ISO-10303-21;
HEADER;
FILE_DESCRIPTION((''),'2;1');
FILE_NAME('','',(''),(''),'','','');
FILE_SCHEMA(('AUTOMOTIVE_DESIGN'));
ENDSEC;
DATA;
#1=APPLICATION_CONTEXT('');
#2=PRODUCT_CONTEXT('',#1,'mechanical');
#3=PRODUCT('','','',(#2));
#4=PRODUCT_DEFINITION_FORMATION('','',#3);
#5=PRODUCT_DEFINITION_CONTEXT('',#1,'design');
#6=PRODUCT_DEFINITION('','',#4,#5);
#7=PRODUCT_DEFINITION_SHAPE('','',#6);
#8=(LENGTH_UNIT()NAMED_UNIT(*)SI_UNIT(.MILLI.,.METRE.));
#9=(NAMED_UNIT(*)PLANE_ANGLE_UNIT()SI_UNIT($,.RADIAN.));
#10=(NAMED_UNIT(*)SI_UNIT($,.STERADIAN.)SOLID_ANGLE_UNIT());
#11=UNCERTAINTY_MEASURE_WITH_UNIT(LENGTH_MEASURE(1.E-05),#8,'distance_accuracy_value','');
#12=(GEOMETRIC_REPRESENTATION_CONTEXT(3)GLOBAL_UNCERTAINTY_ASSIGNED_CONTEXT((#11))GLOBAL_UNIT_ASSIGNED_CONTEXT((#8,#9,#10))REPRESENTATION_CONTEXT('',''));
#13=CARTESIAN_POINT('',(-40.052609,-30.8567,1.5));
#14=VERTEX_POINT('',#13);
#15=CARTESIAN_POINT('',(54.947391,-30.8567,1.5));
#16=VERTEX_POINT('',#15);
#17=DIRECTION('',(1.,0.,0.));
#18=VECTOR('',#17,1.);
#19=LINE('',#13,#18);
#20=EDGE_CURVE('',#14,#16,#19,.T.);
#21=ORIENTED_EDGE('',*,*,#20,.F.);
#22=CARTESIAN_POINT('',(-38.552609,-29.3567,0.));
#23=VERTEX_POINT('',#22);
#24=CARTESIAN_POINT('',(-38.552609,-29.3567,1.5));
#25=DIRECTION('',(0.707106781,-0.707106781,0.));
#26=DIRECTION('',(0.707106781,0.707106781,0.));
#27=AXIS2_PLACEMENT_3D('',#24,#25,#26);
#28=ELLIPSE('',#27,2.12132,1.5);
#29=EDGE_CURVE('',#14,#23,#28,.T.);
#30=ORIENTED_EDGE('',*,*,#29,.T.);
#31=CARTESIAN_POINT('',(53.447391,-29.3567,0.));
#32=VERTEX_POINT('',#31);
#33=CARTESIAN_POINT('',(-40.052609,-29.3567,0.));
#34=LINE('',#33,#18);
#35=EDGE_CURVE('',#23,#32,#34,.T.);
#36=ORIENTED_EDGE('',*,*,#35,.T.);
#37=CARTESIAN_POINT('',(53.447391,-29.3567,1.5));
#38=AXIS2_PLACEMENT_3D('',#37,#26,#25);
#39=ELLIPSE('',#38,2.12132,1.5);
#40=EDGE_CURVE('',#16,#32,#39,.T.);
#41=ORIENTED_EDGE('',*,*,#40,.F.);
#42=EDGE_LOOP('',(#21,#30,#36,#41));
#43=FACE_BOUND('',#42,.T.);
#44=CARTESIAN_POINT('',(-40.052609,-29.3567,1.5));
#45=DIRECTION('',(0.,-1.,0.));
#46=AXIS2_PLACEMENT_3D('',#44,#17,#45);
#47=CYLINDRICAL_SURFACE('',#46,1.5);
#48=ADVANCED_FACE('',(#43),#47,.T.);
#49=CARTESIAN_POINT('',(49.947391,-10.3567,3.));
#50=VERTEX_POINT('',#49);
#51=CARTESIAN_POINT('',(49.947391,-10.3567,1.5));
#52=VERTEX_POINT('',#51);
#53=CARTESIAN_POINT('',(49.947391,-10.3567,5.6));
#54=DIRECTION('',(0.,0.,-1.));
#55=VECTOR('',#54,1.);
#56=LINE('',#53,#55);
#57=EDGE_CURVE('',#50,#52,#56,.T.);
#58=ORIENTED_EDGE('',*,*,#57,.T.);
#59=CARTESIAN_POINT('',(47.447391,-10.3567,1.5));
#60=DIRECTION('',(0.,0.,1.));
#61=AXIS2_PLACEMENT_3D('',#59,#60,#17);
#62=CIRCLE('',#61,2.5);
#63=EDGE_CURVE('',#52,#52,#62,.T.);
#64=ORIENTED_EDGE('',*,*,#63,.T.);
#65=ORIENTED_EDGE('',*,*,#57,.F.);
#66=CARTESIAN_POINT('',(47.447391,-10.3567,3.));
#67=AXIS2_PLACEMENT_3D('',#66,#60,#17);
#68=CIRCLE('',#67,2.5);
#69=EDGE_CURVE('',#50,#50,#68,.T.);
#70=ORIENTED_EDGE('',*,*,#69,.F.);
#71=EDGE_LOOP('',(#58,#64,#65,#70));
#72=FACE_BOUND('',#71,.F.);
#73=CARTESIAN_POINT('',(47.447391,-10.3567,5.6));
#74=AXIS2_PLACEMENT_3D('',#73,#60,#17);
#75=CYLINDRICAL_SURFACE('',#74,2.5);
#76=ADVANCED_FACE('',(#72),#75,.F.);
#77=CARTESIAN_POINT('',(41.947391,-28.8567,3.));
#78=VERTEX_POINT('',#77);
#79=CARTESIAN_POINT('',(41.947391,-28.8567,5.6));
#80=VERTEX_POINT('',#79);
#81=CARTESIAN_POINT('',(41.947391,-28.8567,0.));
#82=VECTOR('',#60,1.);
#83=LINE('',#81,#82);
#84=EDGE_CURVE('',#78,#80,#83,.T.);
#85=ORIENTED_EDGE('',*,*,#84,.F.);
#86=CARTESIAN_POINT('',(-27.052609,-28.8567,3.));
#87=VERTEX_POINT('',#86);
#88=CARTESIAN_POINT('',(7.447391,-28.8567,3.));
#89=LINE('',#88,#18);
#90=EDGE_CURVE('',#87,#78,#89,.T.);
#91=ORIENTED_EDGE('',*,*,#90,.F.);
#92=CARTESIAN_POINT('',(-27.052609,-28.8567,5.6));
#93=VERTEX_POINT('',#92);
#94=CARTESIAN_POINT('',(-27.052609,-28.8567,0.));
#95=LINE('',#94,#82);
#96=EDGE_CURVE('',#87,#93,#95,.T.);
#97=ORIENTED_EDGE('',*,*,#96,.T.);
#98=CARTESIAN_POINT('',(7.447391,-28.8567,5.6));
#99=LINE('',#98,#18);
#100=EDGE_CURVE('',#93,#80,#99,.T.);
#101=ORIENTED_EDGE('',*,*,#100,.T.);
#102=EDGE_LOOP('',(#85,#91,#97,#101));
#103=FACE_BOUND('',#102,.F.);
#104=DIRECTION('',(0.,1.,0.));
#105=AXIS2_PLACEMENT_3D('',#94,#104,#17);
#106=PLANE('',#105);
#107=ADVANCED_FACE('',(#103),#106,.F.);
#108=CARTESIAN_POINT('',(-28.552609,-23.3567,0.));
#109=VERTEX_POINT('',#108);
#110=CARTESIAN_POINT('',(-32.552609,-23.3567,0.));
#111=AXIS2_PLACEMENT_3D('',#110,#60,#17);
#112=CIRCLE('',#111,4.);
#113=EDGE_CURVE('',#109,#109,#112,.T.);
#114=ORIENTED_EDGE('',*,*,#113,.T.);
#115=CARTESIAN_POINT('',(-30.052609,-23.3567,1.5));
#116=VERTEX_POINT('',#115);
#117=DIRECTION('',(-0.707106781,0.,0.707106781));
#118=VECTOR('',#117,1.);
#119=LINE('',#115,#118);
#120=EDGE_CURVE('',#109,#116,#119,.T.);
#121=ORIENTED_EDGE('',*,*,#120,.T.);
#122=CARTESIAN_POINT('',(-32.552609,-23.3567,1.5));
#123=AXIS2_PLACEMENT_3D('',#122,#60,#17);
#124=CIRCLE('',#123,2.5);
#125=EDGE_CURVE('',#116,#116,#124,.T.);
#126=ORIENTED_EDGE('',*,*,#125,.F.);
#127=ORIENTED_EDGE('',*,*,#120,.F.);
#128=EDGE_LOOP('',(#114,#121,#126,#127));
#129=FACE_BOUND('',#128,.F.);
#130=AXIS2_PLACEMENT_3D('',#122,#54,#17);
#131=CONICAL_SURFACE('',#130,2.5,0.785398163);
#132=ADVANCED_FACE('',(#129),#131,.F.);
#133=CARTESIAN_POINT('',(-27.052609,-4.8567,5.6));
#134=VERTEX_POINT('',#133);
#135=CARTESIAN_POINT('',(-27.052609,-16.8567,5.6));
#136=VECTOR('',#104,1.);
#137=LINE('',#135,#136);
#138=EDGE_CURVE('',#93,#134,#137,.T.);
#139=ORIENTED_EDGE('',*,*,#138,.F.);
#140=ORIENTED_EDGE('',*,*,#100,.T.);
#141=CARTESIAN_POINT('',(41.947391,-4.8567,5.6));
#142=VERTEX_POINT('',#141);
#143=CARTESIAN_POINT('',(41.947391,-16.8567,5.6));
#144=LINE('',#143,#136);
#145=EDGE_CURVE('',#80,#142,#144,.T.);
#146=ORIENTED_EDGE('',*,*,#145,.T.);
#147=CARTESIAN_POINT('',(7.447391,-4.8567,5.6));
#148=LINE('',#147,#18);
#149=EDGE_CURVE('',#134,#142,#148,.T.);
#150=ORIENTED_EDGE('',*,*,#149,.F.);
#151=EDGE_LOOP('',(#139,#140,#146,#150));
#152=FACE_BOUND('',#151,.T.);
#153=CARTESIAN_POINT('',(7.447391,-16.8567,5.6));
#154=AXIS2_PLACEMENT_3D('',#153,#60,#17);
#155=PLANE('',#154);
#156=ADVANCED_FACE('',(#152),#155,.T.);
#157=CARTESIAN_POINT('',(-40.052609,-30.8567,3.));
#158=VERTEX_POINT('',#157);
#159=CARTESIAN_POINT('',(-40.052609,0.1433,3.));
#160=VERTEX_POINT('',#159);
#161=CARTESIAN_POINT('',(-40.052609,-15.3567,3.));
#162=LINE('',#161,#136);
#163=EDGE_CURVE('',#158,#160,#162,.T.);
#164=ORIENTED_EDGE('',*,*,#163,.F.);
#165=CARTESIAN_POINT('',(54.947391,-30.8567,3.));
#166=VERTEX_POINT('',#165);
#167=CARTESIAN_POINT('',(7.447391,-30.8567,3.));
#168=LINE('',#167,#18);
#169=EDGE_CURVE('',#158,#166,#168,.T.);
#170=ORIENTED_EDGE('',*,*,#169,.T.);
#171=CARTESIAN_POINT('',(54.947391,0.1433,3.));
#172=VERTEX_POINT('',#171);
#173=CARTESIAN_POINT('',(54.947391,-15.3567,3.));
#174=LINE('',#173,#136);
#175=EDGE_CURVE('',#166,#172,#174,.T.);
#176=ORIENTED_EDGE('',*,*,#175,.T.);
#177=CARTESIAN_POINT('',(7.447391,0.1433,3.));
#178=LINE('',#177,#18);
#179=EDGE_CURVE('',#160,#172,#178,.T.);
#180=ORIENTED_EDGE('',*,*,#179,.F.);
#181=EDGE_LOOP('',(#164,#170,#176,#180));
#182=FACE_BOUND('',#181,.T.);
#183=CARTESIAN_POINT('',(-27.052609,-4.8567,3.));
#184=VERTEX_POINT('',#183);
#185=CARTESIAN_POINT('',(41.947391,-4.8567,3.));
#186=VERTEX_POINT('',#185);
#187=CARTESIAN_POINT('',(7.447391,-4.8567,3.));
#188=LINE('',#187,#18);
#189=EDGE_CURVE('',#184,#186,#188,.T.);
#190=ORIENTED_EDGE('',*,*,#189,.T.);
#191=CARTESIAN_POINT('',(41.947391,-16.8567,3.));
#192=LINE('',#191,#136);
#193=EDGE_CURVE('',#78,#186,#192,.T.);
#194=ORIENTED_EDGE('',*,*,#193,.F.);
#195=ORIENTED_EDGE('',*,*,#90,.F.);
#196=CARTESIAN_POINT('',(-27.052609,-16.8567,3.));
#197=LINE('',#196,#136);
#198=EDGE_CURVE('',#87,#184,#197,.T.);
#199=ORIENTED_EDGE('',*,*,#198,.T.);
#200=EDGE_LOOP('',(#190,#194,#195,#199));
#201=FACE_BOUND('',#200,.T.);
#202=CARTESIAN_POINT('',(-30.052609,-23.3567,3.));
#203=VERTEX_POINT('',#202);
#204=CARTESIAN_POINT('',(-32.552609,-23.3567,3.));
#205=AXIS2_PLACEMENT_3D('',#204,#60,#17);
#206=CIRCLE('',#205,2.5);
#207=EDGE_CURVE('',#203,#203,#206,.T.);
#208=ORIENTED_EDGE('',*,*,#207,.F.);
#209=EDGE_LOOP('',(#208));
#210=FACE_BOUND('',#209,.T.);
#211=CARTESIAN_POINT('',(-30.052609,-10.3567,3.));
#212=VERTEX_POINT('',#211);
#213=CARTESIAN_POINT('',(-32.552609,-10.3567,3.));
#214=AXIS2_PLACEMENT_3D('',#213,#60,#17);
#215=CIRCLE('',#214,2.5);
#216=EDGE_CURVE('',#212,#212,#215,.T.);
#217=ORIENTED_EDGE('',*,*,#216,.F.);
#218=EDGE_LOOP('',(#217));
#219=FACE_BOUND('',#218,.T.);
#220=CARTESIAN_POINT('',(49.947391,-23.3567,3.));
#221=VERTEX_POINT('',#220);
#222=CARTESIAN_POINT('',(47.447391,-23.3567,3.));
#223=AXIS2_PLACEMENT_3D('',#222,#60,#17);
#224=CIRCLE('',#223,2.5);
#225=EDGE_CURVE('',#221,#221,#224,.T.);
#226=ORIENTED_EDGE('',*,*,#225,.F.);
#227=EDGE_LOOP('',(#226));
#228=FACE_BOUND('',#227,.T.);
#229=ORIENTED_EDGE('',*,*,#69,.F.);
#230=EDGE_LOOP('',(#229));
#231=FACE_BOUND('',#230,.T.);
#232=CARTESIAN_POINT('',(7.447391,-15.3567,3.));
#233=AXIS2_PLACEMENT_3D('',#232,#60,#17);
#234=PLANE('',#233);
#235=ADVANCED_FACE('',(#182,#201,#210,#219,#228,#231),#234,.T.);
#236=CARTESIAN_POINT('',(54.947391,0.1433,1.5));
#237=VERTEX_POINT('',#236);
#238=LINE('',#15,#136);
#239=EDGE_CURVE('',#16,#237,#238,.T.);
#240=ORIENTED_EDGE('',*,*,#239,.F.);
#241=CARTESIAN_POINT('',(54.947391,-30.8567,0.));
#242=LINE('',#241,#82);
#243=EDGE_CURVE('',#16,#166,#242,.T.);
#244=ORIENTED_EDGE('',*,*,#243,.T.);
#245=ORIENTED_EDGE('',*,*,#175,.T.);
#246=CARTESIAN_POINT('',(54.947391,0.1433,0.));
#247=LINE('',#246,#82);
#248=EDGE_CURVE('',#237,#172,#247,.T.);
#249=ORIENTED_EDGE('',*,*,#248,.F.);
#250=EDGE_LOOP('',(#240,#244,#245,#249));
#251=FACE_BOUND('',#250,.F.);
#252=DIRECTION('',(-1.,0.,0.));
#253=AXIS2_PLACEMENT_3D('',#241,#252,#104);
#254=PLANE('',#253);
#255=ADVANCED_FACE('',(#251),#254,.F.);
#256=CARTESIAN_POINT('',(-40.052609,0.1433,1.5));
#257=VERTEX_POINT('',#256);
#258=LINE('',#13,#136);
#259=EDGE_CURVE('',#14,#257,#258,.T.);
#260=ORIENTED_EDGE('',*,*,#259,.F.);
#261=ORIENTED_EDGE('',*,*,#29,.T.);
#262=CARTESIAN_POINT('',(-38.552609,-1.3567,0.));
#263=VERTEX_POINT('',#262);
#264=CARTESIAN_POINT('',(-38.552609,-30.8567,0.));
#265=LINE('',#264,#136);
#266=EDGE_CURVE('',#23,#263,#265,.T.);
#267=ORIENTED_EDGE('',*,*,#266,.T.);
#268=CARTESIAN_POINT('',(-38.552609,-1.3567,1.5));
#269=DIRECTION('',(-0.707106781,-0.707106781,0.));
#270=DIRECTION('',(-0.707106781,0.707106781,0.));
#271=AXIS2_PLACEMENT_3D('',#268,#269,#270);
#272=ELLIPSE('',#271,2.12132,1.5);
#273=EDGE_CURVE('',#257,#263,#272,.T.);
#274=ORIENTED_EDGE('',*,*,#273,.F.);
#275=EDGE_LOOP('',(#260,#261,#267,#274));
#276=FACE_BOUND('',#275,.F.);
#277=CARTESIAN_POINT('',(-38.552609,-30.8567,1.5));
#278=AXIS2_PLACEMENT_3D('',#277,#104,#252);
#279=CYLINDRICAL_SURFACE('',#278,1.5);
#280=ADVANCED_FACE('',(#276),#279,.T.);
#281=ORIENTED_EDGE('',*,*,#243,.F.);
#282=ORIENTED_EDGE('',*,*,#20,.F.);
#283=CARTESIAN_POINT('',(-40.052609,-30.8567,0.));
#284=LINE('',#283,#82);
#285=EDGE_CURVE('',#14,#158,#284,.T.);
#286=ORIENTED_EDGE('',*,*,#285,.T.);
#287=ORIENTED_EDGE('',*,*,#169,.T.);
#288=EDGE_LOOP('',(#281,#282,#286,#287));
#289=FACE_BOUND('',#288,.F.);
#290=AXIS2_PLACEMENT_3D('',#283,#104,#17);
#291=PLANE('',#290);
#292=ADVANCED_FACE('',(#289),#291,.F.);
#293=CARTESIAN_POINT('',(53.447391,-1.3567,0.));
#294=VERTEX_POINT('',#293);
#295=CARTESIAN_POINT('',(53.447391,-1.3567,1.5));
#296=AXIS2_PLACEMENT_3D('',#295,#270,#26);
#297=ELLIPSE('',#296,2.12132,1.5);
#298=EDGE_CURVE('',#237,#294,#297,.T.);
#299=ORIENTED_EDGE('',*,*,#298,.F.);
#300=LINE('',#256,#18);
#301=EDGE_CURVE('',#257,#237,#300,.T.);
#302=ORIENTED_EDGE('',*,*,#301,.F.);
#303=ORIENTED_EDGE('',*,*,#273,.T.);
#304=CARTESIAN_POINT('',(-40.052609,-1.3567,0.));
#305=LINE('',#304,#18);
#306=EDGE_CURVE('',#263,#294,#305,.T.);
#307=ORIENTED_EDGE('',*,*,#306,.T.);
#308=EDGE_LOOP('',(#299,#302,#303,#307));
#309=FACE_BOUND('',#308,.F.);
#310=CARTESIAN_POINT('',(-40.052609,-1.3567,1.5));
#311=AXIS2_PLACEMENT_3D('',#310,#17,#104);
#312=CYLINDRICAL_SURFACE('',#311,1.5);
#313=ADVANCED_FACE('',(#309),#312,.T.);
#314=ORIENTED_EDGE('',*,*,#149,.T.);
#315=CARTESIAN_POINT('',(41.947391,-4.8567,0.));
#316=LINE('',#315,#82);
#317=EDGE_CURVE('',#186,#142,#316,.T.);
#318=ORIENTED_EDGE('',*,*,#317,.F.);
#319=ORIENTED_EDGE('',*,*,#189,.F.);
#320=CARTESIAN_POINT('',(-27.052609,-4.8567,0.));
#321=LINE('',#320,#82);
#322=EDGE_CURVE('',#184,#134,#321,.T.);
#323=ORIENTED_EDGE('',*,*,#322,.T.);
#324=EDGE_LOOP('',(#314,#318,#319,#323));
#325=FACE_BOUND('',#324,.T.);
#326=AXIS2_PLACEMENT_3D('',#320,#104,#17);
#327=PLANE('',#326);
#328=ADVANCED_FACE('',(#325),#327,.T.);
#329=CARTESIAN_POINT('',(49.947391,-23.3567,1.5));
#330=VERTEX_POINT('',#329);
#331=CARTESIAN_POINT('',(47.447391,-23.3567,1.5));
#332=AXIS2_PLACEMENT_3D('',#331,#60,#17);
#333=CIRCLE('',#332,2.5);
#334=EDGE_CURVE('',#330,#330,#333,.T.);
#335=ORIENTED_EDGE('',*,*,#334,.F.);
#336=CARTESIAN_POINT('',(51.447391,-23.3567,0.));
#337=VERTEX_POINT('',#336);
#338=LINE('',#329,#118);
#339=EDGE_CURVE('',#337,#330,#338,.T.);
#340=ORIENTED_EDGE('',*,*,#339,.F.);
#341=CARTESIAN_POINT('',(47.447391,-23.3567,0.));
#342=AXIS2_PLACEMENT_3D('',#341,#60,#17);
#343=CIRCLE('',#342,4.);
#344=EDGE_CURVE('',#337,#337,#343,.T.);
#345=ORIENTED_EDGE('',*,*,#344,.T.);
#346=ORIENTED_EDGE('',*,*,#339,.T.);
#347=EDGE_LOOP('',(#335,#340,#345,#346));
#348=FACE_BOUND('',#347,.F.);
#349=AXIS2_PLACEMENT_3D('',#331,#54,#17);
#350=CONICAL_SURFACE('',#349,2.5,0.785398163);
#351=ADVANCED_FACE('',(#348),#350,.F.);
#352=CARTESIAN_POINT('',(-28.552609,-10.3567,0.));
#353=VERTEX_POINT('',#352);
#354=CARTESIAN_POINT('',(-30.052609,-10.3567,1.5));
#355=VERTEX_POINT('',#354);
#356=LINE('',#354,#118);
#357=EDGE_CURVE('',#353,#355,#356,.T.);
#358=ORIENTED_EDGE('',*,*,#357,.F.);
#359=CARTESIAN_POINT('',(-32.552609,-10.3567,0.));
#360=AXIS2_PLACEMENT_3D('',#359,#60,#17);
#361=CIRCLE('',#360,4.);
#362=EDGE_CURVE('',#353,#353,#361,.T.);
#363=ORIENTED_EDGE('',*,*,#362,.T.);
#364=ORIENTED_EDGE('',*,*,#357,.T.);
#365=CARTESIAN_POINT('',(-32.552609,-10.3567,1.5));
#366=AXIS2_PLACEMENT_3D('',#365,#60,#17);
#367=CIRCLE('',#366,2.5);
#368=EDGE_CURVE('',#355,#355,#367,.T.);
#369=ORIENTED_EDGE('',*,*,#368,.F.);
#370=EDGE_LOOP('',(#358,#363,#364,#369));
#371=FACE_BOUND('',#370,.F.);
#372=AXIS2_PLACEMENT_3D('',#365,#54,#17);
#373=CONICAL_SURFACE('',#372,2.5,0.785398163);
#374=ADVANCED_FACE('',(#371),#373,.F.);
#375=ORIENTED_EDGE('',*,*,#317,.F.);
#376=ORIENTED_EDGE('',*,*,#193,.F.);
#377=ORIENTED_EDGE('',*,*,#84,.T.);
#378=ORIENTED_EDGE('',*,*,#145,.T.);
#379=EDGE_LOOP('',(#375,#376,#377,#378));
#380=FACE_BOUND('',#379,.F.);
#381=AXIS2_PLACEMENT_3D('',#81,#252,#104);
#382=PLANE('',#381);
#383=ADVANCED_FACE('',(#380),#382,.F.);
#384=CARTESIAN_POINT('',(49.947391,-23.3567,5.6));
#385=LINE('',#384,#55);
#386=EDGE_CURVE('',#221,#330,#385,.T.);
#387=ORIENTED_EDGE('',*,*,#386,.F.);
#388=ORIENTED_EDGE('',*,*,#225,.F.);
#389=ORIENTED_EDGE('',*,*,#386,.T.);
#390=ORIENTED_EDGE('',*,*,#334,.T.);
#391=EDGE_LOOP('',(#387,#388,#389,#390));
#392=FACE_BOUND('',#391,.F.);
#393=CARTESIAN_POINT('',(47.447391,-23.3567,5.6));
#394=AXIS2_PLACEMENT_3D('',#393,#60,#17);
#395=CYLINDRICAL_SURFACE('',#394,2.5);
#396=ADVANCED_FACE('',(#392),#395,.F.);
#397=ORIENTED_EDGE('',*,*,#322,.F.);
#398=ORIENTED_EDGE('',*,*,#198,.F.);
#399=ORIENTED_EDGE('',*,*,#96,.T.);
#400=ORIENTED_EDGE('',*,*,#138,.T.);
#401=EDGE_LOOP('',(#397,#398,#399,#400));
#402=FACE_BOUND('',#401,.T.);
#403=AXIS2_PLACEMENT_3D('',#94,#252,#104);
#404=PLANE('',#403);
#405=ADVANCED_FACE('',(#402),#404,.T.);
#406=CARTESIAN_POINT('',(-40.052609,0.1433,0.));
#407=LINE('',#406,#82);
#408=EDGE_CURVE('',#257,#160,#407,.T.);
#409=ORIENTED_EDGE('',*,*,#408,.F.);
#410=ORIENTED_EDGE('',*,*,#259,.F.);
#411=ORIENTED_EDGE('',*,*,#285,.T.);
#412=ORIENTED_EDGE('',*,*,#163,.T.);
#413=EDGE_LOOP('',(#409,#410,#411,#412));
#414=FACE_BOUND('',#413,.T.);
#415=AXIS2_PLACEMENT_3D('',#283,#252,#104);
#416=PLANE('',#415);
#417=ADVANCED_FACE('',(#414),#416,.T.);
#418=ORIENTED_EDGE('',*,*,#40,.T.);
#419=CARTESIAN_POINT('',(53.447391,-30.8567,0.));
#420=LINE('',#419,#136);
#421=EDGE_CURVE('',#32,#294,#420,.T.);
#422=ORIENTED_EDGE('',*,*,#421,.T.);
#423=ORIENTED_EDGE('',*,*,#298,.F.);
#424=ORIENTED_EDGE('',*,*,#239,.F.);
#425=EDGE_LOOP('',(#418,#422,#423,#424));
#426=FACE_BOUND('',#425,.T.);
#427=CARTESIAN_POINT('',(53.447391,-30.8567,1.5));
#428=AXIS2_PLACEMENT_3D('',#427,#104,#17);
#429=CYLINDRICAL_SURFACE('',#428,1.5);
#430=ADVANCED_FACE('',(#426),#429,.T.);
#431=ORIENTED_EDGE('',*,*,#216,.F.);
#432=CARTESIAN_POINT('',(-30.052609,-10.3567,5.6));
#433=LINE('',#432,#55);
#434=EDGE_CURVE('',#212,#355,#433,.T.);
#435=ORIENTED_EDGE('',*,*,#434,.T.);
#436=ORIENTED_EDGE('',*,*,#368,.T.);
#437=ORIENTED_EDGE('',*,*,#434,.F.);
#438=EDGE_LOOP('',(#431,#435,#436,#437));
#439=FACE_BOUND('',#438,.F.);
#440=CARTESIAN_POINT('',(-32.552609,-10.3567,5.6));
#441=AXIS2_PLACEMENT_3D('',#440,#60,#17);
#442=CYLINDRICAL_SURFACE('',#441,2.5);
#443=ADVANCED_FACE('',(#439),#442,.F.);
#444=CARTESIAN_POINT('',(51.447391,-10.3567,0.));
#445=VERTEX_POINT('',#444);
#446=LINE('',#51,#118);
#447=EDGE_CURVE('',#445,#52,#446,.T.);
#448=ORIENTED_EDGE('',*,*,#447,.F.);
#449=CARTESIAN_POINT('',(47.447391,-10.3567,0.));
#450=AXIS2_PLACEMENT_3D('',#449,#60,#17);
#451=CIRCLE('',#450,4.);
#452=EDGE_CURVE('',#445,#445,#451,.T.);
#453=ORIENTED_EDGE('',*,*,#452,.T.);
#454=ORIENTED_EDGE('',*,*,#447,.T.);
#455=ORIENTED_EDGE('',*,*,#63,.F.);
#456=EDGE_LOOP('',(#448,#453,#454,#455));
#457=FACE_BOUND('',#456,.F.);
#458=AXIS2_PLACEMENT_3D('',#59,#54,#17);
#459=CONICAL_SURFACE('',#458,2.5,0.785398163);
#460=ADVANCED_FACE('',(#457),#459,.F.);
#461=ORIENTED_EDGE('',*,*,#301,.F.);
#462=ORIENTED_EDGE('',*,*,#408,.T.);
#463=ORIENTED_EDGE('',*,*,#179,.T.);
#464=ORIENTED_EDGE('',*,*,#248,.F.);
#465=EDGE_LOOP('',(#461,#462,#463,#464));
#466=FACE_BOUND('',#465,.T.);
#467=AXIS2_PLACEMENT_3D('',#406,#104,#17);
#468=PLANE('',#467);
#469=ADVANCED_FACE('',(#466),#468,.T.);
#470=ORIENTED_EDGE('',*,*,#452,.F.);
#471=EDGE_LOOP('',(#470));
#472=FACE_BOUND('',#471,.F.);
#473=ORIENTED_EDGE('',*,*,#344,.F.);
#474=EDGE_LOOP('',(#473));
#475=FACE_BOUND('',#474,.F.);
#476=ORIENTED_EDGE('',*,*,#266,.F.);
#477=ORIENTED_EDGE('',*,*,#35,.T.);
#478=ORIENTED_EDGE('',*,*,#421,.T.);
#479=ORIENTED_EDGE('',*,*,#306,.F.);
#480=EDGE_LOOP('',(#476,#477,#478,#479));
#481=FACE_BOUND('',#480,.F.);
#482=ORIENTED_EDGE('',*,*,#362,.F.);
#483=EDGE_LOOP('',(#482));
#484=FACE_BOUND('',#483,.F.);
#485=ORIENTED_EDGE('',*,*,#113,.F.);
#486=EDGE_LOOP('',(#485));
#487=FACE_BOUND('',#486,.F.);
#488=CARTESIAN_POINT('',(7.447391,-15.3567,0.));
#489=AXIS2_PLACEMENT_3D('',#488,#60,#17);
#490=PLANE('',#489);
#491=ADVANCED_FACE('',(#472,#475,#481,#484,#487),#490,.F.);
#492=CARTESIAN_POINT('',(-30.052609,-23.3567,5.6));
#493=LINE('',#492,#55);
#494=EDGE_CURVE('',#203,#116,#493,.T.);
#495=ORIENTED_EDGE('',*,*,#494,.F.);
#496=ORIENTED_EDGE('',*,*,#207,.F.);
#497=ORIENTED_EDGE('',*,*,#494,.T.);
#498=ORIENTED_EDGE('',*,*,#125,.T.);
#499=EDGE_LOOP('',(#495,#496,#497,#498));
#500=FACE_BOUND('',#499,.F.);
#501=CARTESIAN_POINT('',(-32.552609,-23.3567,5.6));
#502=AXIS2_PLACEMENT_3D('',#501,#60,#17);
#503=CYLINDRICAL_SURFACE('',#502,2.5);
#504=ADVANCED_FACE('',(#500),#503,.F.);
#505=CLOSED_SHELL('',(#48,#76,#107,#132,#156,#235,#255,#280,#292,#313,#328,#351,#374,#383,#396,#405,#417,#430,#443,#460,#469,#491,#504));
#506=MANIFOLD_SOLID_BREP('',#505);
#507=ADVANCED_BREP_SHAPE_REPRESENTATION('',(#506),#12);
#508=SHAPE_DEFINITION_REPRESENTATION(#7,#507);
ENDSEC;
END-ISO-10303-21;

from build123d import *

# Parameters (mm, degrees)
F0_W     = 95
F0_H     = 31
F0_W_2   = 69
F0_H_2   = 24
F1_DEPTH = 3
F2_DEPTH = 5.6
F3_R     = 1.5
F4_R     = 2.5
F5_DEPTH = 25
F6_SIZE  = 1.5


with BuildPart() as f1:
    # F0 (on Top) → F1 (new body)
    with BuildSketch(Plane.XY):
        with Locations((7.447391, -15.3567)):
            Rectangle(F0_W, F0_H)
        with Locations((7.447391, -16.8567)):
            Rectangle(F0_W_2, F0_H_2, mode=Mode.SUBTRACT)
    extrude(amount=F1_DEPTH)

    # F0 (on Top) → F2 (join)
    with BuildSketch(Plane.XY):
        with Locations((7.447391, -16.8567)):
            Rectangle(F0_W_2, F0_H_2)
    extrude(amount=F2_DEPTH)

    # F3
    f3_edges = [f1.edges().sort_by_distance(p)[0] for p in [
        (-40.052609, -15.3567, 0),
        (7.447391, 0.1433, 0),
        (7.447391, -30.8567, 0),
        (54.947391, -15.3567, 0),
    ]]
    fillet(f3_edges, radius=F3_R)

    # F4 (on face) → F5 (cut)
    with BuildSketch(Plane.XY.offset(5.6)):
        with Locations((-32.552609, -10.3567)):
            Circle(F4_R)
        with Locations((-32.552609, -23.3567)):
            Circle(F4_R)
        with Locations((47.447391, -23.3567)):
            Circle(F4_R)
        with Locations((47.447391, -10.3567)):
            Circle(F4_R)
    extrude(amount=-F5_DEPTH, mode=Mode.SUBTRACT)

    # F6
    f6_edges = [f1.edges().sort_by_distance(p)[0] for p in [
        (-38.552609, -15.3567, 0),
        (7.447391, -1.3567, 0),
        (7.447391, -29.3567, 0),
        (53.447391, -15.3567, 0),
        (-35.052609, -23.3567, 0),
        (44.947391, -23.3567, 0),
        (-35.052609, -10.3567, 0),
        (44.947391, -10.3567, 0),
    ]]
    chamfer(f6_edges, length=F6_SIZE)


solid = f1.part
